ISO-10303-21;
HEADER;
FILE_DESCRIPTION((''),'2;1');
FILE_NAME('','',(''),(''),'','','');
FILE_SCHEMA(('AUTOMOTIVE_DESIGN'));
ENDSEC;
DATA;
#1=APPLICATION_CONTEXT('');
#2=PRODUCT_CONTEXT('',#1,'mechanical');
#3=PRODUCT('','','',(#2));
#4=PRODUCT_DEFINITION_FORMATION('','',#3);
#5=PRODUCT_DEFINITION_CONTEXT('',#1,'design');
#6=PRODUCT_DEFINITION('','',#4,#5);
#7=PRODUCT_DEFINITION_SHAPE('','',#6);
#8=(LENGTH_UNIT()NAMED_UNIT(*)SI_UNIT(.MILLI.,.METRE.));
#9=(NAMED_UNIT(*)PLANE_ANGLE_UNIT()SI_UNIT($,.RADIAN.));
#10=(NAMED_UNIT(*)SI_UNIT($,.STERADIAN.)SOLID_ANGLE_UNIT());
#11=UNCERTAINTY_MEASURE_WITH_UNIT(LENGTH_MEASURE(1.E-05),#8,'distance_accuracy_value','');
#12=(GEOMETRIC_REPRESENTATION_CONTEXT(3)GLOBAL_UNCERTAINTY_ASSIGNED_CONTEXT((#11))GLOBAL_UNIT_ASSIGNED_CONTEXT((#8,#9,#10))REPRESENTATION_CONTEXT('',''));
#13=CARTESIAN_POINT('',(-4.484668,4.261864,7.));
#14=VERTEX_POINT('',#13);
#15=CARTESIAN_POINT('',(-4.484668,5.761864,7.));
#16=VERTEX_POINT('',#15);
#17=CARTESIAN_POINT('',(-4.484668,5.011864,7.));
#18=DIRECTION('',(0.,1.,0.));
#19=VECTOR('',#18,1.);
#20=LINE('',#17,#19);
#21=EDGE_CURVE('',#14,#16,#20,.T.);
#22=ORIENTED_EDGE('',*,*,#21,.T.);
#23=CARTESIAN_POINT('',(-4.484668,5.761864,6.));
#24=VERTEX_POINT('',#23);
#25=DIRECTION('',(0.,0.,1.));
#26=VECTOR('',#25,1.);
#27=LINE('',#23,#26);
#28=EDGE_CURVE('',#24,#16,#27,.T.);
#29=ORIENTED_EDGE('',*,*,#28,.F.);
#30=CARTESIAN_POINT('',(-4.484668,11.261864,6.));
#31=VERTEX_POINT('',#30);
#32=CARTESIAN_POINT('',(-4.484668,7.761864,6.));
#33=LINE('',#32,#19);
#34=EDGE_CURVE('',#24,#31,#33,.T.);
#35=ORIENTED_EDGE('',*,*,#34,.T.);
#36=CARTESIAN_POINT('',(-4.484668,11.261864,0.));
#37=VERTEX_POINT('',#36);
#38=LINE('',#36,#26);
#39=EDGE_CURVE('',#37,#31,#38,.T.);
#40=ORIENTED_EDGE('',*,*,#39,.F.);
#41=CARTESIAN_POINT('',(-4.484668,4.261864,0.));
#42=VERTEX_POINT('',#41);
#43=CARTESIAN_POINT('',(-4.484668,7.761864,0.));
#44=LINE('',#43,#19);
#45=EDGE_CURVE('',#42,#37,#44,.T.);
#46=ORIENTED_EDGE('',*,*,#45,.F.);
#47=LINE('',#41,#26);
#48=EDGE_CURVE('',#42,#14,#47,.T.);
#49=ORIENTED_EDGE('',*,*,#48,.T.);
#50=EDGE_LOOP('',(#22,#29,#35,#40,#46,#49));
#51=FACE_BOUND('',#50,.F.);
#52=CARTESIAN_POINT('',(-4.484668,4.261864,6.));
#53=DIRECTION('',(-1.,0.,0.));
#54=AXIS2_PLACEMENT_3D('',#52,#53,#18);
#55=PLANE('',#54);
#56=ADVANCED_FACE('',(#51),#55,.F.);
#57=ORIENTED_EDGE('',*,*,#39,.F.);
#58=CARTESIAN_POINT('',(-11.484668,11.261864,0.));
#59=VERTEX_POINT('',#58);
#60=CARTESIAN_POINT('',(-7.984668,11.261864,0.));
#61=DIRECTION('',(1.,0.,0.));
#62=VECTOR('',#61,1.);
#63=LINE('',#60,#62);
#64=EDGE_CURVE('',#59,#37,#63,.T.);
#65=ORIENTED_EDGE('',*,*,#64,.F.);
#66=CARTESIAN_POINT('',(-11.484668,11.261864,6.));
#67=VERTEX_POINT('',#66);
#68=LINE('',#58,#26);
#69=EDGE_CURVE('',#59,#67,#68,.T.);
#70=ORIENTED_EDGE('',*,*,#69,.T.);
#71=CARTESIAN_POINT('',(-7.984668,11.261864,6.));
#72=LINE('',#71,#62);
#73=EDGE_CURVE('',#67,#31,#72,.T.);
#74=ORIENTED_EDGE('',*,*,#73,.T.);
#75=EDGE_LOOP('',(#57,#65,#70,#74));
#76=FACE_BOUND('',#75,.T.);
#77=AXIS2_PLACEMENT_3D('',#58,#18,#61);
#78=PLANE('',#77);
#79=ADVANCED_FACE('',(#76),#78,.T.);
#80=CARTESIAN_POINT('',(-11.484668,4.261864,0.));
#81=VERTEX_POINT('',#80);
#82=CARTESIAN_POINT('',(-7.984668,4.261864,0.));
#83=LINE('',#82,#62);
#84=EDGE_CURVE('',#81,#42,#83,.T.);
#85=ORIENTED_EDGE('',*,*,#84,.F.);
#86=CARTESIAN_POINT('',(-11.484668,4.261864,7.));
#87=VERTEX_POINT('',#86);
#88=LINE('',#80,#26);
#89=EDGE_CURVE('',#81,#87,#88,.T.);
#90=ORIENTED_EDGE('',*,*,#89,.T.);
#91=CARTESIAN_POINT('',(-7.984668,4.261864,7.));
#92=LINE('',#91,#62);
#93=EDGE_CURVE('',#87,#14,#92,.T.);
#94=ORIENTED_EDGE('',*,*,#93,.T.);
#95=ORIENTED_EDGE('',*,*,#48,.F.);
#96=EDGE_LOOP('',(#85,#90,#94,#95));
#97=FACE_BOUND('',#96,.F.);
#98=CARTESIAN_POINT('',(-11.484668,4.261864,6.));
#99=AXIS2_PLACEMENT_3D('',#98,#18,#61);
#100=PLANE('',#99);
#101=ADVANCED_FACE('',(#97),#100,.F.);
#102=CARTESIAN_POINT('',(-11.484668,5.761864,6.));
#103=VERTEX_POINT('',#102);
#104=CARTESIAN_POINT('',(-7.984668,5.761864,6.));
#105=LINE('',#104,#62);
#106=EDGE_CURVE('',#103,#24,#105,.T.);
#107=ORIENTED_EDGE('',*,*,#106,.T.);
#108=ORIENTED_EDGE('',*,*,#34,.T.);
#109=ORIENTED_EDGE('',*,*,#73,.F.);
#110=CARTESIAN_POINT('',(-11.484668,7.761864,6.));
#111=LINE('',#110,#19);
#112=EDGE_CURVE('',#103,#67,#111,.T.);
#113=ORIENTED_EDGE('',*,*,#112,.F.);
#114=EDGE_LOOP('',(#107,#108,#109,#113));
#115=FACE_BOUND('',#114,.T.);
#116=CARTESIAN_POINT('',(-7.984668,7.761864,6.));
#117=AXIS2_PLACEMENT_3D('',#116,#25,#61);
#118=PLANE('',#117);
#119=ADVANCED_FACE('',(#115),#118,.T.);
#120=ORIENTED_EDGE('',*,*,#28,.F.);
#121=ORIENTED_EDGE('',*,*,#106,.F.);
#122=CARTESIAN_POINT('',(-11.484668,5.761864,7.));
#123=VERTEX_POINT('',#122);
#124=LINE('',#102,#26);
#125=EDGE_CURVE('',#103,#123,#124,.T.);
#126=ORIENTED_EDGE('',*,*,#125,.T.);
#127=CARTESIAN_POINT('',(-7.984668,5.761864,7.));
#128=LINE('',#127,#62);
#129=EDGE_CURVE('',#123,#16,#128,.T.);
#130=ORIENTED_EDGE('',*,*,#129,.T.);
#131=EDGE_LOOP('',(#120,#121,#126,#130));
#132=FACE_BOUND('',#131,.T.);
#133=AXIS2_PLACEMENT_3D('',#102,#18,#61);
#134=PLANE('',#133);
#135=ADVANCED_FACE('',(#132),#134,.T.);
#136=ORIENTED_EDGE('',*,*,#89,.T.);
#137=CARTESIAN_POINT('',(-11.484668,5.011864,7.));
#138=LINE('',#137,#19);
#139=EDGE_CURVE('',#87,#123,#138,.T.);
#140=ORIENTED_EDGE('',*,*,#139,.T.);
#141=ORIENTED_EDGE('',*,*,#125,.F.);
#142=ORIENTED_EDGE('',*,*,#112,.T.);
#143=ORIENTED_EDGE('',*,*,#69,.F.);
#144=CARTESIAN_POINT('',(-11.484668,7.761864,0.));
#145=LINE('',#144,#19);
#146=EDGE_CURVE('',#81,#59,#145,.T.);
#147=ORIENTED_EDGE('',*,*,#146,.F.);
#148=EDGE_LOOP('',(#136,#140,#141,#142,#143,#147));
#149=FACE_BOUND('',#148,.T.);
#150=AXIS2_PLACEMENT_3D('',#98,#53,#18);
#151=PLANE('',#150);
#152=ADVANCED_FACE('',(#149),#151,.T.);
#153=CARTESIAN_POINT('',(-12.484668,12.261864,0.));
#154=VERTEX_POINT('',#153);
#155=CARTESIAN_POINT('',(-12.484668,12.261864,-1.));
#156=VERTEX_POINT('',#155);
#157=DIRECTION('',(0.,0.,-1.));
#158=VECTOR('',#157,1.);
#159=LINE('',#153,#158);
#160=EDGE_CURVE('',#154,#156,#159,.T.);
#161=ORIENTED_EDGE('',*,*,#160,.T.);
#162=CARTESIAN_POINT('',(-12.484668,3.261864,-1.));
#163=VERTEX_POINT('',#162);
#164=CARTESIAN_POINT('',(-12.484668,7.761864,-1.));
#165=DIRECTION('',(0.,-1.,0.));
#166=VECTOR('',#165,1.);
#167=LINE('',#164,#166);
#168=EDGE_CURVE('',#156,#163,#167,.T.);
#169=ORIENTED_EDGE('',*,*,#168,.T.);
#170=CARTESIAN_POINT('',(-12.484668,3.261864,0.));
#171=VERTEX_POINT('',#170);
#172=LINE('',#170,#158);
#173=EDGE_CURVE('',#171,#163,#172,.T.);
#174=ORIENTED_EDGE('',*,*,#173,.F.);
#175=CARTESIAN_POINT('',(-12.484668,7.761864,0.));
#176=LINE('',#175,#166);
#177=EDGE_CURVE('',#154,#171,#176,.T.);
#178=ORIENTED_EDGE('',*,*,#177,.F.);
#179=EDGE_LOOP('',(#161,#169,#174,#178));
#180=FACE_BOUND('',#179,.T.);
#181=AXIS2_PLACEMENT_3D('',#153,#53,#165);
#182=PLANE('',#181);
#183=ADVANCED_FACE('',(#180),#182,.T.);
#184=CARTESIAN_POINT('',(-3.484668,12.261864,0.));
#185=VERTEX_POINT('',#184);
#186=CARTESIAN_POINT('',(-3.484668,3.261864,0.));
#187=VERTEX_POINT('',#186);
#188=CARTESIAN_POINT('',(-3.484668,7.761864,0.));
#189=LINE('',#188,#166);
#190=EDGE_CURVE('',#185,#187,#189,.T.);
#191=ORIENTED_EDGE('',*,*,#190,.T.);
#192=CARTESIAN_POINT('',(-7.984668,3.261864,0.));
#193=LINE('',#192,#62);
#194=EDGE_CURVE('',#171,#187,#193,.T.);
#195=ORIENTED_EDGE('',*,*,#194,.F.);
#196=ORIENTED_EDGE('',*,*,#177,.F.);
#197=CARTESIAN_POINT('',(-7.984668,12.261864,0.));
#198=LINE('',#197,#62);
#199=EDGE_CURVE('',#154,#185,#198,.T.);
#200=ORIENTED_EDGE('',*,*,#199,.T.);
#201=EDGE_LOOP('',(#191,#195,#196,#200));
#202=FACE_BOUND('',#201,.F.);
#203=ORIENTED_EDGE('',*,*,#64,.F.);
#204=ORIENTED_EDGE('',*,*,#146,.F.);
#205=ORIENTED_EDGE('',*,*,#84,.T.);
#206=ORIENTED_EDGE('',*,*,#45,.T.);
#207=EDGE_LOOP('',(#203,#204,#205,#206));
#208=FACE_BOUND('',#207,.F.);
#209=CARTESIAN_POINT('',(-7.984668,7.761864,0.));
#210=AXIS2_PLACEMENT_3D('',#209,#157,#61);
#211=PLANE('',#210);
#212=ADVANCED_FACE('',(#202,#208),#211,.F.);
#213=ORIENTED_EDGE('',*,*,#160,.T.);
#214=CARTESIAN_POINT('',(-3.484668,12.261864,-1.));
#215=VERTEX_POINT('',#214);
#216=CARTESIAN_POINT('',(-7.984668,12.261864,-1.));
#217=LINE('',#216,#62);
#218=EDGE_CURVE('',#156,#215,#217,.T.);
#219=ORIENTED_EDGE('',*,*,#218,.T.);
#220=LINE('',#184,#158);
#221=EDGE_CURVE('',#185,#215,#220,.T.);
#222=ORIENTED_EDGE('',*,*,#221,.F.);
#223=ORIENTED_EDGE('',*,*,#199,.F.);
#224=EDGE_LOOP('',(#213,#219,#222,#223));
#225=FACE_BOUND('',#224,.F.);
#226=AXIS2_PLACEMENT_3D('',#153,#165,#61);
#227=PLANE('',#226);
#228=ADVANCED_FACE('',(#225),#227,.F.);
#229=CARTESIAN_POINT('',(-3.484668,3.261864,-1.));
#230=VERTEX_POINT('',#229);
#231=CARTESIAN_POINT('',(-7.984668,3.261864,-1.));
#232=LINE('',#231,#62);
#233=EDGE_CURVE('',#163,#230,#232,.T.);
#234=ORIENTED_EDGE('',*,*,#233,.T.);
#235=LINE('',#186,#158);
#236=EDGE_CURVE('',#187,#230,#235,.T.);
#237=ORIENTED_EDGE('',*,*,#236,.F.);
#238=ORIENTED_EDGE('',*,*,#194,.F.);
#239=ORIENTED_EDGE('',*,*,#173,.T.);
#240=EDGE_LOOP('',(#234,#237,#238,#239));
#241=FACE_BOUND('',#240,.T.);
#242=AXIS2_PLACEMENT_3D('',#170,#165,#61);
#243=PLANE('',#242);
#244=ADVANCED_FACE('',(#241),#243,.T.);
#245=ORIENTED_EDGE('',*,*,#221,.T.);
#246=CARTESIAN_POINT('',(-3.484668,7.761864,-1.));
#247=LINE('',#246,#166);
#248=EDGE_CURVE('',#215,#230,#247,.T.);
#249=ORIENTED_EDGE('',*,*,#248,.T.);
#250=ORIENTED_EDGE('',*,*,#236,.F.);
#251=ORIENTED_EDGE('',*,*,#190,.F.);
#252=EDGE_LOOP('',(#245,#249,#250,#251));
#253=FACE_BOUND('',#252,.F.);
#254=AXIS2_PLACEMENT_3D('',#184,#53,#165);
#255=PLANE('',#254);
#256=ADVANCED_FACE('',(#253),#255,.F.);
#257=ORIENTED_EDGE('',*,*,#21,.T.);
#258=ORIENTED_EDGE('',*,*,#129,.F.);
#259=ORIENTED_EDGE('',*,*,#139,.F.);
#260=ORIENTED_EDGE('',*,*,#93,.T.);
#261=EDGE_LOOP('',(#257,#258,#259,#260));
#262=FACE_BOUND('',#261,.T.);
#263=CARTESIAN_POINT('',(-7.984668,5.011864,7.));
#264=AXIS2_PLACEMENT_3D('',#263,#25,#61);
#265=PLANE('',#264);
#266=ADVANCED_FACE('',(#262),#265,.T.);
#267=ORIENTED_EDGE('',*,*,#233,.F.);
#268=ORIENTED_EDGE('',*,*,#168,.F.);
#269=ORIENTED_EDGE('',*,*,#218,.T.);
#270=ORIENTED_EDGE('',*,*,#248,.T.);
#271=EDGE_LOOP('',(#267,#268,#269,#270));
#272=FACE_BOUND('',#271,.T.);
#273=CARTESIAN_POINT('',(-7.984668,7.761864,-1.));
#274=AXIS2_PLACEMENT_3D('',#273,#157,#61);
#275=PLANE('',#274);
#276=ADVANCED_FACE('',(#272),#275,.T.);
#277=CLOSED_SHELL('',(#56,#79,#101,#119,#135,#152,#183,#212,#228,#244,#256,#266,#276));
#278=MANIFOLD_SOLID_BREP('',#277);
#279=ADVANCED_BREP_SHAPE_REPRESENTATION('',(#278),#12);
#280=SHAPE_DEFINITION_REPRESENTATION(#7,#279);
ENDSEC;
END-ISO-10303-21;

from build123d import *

# Parameters (mm, degrees)
F0_W     = 7
F0_H     = 7
F1_DEPTH = 6
F2_W     = 9
F2_H     = 9
F2_W_2   = 7
F2_H_2   = 7
F3_DEPTH = 1
F4_W     = 7
F4_H     = 1.5
F5_DEPTH = 1


with BuildPart() as f1:
    # F0 (on Top) → F1 (new body)
    with BuildSketch(Plane.XY):
        with Locations((-7.9846676588, 7.7618638836)):
            Rectangle(F0_W, F0_H)
    extrude(amount=F1_DEPTH)

    # F2 (on face) → F3 (join)
    with BuildSketch(Plane(origin=(0, 0, 0), x_dir=(1, 0, 0), z_dir=(0, 0, -1))):
        with Locations((-7.9846676588, -7.7618638836)):
            Rectangle(F2_W, F2_H)
        with Locations((-7.9846676588, -7.7618638836)):
            Rectangle(F2_W_2, F2_H_2, mode=Mode.SUBTRACT)
        with Locations((-7.9846676588, -7.7618638836)):
            Rectangle(F2_W_2, F2_H_2)
    extrude(amount=F3_DEPTH)

    # F4 (on face) → F5 (join)
    with BuildSketch(Plane.XY.offset(6)):
        with Locations((-7.9846676588, 5.0118638836)):
            Rectangle(F4_W, F4_H)
    extrude(amount=F5_DEPTH)


solid = f1.part
